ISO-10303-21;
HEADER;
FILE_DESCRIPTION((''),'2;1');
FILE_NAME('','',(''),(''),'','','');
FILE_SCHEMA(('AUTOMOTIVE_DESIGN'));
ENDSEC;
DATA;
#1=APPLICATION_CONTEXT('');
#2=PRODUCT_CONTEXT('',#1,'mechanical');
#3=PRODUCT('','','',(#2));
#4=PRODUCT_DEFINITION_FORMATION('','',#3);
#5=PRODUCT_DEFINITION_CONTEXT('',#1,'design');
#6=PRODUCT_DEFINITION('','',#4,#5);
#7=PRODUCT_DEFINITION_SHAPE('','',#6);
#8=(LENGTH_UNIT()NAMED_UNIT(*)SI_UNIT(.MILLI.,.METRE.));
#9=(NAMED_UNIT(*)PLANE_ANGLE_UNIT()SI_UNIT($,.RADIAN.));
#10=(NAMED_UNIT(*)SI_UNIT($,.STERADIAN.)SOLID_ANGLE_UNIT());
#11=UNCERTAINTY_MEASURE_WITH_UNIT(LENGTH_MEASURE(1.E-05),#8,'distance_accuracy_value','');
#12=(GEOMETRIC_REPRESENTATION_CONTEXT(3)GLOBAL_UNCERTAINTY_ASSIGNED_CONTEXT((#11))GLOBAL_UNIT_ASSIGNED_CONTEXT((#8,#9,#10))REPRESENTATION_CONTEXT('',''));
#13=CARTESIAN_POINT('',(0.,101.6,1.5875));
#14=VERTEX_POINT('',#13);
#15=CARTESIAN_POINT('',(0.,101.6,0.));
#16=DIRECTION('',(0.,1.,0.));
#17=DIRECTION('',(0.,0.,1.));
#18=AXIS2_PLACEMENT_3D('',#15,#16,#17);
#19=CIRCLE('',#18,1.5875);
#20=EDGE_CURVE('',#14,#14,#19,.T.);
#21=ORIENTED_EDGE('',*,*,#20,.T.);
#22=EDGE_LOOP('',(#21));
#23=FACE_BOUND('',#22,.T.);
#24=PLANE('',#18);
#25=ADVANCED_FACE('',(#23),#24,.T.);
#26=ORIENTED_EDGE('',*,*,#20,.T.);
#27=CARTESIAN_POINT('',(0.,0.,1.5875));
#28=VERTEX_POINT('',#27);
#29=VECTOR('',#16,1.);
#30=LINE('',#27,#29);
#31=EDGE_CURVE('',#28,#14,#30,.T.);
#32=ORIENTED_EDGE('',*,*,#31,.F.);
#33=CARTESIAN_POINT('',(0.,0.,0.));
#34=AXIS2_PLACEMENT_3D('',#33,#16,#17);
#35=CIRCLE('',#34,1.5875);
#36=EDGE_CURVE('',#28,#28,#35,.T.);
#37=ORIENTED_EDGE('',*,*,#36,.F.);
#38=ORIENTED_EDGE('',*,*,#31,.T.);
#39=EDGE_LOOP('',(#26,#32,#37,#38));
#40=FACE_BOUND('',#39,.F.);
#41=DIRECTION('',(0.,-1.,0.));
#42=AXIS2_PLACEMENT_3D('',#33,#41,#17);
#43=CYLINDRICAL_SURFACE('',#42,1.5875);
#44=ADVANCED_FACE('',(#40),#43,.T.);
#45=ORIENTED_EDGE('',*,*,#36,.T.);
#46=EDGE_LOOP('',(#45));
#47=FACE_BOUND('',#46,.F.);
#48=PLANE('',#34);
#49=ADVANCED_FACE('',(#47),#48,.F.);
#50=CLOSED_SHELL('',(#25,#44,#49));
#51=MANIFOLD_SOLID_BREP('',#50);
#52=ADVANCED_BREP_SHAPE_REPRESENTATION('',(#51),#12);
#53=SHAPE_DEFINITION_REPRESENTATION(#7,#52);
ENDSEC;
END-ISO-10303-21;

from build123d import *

# Parameters (mm, degrees)
SKETCH1_R           = 1.5875
BOSS_EXTRUDE1_DEPTH = 101.6


with BuildPart() as part:
    # Sketch1 → Boss-Extrude1 (new body)
    with BuildSketch(Plane(origin=(0, 0, 0), x_dir=(1, 0, 0), z_dir=(0, 1, 0))):
        with Locations(Location((0, 0, 0), (0, 0, 270))):  # turned: the seam where the file's is
            Circle(SKETCH1_R)
    extrude(amount=BOSS_EXTRUDE1_DEPTH)


solid = part.part
